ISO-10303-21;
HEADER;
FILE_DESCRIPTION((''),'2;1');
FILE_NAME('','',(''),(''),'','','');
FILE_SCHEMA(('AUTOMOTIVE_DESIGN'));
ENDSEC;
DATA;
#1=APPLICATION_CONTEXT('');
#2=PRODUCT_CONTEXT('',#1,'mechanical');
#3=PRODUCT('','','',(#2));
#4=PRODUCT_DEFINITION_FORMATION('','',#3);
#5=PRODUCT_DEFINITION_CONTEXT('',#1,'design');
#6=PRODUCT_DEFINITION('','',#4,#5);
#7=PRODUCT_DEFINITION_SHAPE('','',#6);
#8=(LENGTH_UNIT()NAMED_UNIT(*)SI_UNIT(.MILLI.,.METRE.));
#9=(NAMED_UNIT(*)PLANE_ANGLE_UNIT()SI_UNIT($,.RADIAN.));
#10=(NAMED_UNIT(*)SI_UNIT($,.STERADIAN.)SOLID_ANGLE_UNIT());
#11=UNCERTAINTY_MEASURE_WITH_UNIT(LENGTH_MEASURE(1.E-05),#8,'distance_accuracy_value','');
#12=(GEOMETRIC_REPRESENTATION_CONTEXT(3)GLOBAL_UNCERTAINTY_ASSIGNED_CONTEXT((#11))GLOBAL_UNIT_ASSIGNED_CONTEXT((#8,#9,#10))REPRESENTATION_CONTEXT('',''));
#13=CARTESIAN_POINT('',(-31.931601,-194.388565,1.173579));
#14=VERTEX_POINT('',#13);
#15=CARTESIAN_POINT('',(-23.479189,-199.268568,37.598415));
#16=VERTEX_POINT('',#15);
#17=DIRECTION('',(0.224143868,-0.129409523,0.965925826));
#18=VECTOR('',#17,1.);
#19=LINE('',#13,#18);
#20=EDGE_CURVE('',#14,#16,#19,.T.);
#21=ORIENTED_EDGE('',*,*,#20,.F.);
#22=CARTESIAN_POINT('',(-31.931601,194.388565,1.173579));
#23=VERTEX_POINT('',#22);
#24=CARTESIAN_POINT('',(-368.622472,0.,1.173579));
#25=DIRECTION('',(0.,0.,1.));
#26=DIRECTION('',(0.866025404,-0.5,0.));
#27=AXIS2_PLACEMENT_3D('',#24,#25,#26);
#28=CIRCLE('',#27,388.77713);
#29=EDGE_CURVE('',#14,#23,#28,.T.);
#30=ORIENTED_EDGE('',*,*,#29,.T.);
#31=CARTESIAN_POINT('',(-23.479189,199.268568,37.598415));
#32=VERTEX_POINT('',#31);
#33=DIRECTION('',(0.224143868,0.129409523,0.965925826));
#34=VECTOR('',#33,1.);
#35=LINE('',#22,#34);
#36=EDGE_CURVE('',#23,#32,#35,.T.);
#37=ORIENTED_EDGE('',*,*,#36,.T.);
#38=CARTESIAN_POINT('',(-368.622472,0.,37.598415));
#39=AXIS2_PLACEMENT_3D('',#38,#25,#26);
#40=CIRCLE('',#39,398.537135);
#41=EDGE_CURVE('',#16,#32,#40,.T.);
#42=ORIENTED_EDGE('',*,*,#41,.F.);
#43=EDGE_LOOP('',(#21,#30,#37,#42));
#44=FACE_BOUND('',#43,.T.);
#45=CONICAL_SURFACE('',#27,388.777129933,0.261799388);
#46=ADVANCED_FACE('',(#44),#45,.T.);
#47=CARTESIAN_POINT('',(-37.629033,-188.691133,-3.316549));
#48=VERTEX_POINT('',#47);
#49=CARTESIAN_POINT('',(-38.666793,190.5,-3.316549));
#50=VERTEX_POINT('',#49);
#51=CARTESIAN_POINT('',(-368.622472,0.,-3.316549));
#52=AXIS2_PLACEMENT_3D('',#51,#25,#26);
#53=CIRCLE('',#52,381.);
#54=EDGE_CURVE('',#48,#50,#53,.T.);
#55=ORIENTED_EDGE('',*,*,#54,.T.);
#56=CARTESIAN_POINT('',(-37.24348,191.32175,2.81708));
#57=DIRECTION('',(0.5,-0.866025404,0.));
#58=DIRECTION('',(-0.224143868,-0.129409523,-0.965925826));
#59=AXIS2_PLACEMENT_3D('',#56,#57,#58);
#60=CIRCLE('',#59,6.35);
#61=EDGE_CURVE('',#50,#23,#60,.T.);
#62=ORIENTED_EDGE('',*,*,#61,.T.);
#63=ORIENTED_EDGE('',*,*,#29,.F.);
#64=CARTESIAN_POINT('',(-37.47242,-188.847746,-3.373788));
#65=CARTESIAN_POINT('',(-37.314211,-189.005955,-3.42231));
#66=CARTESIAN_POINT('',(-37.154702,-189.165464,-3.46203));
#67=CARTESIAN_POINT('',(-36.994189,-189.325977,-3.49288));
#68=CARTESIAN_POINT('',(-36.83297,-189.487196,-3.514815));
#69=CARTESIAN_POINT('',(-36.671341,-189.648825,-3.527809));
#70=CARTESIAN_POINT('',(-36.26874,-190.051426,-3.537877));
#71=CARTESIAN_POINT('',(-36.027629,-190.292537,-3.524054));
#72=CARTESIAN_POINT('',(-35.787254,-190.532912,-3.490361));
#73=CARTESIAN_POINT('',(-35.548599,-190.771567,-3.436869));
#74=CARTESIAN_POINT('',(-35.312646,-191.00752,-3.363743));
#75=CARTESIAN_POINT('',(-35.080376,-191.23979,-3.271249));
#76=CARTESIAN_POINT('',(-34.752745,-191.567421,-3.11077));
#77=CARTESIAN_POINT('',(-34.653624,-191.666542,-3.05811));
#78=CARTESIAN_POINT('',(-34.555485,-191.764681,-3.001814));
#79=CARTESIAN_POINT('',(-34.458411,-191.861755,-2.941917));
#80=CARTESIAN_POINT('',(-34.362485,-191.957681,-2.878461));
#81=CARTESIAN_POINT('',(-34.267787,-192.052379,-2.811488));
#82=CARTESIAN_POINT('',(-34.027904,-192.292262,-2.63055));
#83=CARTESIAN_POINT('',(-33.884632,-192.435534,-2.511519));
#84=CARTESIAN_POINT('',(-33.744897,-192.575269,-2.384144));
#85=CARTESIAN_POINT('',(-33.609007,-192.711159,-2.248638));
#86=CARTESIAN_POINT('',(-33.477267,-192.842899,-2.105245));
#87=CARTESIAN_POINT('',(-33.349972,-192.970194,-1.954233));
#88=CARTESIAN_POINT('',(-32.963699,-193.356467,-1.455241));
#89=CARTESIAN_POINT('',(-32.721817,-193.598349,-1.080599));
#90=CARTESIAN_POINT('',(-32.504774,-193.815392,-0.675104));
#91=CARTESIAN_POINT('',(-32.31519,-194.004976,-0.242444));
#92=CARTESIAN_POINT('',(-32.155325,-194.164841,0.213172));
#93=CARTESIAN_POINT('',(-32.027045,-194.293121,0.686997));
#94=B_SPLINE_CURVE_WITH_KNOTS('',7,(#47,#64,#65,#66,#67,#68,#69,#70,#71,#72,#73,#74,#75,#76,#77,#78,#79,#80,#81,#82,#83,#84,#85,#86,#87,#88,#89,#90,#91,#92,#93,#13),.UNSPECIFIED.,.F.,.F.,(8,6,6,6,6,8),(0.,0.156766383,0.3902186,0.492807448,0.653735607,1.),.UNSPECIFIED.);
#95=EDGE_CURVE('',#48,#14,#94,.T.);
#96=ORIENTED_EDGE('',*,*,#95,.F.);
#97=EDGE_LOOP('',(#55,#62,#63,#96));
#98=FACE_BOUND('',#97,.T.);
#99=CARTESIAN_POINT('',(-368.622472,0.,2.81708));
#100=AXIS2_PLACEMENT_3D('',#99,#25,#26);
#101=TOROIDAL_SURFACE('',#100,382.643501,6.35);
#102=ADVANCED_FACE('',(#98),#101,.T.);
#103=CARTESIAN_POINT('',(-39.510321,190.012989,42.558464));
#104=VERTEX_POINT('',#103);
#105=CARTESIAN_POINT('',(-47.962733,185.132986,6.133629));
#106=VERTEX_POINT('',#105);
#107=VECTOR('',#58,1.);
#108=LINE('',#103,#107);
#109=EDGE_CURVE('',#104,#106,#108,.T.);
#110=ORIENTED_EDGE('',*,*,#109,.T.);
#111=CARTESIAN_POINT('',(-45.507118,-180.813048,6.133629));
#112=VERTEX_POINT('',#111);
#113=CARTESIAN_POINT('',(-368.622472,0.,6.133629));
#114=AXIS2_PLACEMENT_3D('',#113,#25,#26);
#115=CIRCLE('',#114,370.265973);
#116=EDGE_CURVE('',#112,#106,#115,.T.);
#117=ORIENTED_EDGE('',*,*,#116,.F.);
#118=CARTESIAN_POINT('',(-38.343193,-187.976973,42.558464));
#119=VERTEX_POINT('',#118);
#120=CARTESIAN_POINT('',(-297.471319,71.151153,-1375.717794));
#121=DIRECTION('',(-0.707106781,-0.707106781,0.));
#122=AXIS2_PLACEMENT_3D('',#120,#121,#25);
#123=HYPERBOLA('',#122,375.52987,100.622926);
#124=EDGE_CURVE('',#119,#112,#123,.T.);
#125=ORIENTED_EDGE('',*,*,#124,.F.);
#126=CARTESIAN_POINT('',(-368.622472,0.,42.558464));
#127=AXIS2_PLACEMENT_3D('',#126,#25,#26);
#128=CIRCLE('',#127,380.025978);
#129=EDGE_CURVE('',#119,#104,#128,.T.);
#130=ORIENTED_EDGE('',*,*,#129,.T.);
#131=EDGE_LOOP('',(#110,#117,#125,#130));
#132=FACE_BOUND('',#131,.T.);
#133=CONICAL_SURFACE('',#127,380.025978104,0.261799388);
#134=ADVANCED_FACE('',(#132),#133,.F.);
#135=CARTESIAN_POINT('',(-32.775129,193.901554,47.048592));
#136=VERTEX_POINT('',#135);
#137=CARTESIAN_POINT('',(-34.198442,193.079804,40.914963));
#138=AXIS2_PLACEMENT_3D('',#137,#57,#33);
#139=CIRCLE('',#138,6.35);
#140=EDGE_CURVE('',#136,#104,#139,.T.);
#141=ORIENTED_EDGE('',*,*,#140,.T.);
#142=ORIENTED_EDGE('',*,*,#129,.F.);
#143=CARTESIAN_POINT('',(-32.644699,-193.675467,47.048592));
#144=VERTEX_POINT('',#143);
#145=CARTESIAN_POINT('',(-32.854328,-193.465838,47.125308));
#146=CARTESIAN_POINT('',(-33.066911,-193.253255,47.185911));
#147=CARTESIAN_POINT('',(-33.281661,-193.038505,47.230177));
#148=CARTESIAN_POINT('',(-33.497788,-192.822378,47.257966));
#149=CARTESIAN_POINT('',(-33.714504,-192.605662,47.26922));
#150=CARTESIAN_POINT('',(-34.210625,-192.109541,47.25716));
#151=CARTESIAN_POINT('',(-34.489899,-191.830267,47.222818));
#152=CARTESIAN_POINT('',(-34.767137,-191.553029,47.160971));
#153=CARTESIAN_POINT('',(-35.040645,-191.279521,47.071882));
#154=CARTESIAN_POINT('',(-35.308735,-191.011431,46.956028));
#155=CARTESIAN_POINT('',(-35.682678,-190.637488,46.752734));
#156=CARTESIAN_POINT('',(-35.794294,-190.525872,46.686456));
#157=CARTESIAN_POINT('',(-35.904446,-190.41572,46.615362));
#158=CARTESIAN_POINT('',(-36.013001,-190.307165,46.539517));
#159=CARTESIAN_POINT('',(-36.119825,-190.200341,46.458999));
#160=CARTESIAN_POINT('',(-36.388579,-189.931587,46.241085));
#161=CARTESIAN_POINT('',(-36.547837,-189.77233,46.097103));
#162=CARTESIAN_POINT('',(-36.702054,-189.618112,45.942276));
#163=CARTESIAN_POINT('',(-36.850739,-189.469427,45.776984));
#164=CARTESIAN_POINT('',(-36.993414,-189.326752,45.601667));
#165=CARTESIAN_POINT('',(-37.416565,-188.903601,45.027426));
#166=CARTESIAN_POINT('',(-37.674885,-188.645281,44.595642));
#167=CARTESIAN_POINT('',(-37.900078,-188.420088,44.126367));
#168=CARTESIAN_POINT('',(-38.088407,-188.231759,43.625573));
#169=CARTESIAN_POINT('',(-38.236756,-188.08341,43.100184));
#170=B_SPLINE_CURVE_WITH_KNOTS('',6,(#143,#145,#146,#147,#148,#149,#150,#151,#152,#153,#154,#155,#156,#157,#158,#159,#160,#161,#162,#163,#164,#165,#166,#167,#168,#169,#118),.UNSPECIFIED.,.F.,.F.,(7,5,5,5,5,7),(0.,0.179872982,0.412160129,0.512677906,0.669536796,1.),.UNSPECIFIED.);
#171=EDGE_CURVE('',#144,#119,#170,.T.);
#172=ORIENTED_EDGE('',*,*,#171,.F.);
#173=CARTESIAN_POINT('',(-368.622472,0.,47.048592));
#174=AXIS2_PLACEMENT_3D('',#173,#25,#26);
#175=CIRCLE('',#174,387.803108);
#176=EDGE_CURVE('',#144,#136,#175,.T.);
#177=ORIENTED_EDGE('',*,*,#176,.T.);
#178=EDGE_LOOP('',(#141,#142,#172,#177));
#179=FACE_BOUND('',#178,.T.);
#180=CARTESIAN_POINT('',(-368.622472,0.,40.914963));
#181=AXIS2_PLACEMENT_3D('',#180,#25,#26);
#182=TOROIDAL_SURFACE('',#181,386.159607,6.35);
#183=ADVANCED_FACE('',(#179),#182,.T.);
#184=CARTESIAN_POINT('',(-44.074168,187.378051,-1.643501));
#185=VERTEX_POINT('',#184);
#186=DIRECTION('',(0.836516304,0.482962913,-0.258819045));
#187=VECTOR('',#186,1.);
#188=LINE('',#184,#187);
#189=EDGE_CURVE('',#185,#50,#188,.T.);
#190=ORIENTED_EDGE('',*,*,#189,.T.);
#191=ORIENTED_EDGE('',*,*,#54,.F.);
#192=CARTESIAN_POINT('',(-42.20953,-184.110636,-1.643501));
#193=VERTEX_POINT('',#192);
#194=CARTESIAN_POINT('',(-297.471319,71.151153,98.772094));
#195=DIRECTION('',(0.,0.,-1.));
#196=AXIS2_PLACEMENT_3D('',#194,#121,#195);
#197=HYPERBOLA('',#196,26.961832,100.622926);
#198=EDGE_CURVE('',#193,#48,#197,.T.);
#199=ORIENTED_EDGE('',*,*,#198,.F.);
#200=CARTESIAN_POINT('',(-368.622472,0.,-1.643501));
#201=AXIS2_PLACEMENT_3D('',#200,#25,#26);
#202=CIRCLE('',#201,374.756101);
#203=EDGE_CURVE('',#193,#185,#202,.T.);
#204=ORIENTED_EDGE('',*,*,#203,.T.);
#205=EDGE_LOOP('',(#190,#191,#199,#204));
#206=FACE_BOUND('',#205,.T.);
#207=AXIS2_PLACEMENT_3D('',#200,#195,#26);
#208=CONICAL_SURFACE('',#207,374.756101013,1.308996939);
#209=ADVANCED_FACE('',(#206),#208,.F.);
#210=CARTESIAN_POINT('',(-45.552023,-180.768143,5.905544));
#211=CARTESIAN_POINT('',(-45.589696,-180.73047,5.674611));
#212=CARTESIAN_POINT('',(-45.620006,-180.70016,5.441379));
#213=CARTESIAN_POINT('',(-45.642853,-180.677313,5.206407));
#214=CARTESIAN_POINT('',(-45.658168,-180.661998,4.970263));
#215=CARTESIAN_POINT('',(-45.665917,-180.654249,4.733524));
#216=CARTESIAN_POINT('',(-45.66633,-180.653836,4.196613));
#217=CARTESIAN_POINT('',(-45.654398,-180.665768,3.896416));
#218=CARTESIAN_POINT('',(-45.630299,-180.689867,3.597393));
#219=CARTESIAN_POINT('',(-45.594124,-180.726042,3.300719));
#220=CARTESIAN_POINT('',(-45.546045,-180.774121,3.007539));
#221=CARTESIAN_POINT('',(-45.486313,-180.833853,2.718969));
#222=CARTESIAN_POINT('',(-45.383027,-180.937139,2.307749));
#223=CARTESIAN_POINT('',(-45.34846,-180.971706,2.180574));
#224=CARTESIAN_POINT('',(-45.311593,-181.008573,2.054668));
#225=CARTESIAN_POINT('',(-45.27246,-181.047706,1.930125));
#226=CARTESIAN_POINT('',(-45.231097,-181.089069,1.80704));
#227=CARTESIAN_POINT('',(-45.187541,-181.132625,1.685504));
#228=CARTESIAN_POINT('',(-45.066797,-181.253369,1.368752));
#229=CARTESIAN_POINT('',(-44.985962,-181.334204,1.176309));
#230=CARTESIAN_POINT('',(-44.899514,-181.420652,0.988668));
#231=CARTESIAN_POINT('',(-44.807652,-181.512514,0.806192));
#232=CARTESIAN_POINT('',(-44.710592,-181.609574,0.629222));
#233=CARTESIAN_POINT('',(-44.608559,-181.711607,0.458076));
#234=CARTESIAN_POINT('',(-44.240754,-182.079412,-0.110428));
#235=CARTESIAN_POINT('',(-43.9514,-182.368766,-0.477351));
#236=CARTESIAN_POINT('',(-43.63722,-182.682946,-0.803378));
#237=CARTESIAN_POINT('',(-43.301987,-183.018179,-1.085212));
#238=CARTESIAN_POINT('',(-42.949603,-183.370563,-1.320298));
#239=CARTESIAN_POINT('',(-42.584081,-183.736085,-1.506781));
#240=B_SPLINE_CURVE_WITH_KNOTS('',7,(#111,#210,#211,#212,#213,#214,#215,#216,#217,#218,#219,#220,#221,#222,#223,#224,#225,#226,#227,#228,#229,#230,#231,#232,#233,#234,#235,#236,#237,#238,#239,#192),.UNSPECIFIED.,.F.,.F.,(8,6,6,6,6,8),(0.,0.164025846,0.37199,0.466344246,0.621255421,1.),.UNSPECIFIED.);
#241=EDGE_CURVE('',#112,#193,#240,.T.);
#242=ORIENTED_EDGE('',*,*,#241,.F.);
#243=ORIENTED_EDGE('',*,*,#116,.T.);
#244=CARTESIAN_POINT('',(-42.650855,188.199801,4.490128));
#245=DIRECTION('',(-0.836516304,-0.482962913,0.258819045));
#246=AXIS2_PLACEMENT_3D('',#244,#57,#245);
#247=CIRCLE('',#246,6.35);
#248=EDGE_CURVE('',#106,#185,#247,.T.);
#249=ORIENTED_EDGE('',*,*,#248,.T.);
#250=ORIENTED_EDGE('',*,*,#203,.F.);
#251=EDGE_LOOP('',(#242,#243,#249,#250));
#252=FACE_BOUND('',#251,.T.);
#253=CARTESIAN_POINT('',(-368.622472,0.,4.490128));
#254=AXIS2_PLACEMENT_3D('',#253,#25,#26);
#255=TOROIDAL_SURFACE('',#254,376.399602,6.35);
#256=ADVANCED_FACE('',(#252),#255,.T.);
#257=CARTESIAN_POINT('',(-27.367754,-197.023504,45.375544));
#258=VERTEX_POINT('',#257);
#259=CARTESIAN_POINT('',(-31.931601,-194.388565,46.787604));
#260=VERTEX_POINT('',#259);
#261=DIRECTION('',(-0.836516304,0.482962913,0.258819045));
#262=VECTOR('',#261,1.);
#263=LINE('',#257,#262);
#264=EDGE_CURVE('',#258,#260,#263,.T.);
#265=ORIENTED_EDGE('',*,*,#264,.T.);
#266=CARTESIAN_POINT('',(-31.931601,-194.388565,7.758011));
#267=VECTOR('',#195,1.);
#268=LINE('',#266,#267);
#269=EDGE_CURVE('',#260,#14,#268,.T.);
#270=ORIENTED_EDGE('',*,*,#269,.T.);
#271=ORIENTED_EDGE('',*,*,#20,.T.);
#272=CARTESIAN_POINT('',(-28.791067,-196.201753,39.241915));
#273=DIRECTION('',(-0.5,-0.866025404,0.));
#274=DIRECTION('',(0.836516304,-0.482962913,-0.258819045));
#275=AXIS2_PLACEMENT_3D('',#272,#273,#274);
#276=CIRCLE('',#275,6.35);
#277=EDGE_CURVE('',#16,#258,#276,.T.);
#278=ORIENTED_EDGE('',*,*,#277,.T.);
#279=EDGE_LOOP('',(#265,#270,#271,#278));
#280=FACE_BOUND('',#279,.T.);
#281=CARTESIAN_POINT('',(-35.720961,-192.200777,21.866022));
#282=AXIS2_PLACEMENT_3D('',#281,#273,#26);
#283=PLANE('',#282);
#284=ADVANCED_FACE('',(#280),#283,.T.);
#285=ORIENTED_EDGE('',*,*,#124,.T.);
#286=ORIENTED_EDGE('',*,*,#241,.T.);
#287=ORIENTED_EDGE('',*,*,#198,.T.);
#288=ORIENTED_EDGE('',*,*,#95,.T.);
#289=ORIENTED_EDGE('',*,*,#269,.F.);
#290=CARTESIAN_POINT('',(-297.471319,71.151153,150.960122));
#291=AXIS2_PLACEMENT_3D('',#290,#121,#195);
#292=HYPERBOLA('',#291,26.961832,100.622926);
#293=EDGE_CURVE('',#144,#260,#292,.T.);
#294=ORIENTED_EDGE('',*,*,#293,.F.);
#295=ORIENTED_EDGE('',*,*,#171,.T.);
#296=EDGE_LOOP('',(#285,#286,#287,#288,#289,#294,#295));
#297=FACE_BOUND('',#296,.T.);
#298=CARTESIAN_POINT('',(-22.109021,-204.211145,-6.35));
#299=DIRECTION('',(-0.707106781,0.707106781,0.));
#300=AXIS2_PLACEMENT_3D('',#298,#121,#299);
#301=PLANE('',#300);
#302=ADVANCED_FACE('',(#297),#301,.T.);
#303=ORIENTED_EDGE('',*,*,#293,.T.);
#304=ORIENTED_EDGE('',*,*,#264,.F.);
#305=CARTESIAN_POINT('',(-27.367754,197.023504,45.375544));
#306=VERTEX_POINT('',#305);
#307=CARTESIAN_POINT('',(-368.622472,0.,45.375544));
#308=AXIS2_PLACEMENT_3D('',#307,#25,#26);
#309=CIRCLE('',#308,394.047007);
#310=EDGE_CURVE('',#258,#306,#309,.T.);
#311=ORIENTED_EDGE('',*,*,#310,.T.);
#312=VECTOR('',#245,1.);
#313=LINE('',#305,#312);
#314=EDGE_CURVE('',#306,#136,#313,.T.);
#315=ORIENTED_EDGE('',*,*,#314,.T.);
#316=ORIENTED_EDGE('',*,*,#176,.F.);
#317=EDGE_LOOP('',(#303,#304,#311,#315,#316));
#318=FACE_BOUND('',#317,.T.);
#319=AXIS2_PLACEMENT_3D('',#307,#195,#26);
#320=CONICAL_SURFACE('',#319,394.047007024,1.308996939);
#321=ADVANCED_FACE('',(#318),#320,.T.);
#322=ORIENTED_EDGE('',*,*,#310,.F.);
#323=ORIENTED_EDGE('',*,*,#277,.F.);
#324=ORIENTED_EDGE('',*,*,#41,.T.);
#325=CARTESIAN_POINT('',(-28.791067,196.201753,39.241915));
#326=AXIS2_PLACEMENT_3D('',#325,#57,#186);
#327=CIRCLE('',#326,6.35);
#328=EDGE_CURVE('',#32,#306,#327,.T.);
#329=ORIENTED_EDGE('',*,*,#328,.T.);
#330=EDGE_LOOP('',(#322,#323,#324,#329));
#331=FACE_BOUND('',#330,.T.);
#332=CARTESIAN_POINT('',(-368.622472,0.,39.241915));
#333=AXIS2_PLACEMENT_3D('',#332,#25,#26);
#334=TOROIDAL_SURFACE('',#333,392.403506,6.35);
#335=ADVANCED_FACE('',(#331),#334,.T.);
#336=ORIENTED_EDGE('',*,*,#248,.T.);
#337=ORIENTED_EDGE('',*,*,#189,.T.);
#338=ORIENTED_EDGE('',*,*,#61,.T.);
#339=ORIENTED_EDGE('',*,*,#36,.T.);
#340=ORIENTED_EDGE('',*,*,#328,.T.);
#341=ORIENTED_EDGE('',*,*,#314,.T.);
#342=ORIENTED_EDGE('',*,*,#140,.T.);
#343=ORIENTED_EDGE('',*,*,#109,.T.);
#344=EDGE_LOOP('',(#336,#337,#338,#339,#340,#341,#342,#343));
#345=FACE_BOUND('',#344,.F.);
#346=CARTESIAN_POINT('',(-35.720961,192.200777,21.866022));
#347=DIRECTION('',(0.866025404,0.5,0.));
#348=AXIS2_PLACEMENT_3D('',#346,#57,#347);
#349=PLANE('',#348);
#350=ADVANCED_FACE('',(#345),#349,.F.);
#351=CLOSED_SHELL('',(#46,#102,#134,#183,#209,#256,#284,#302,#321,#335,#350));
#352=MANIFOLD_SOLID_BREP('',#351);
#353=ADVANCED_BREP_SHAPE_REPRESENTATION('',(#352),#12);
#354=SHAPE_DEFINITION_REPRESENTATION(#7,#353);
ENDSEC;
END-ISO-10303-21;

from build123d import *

# Parameters (mm, degrees)
F2_ANGLE_BACK = 30
F2_ANGLE      = 60
F5_DEPTH      = 76.2


with BuildPart() as f2:
    # F0 (on Front) → F2 (revolve)
    with BuildSketch(Plane.XZ, mode=Mode.PRIVATE) as f2_sk:
        with BuildLine():
            Line((11.4035060875, 42.5584641031), (1.6435009364, 6.1336289969))
            ThreePointArc((1.6435009364, 6.1336289969), (2.2778686193, 1.3151280605), (6.1336289969, -1.6435009364))
            Line((6.1336289969, -1.6435009364), (12.3775279838, -3.3165486276))
            ThreePointArc((12.3775279838, -3.3165486276), (17.1960289202, -2.6821809446), (20.1546579171, 1.173579433))
            Line((20.1546579171, 1.173579433), (29.9146630683, 37.5984145391))
            ThreePointArc((29.9146630683, 37.5984145391), (29.2802953854, 42.4169154755), (25.4245350077, 45.3755444725))
            Line((25.4245350077, 45.3755444725), (19.1806360209, 47.0485921636))
            ThreePointArc((19.1806360209, 47.0485921636), (14.3621350845, 46.4142244807), (11.4035060875, 42.5584641031))
        make_face()
    revolve(f2_sk.sketch.rotate(Axis((-368.6224720162, 0, 0), (0, 0, 1)), -F2_ANGLE_BACK), axis=Axis((-368.6224720162, 0, 0), (0, 0, 1)), revolution_arc=F2_ANGLE)

    # F4 (on offset) → F5 (cut)
    with BuildSketch(Plane.XY.offset(-6.35)):
        Polygon((-66.0165886754, -178.8610989372), (-22.1090212275, -204.2111448227), (-57.8689331003, -168.4512329499), align=None)
    extrude(amount=F5_DEPTH, mode=Mode.SUBTRACT)


solid = f2.part
